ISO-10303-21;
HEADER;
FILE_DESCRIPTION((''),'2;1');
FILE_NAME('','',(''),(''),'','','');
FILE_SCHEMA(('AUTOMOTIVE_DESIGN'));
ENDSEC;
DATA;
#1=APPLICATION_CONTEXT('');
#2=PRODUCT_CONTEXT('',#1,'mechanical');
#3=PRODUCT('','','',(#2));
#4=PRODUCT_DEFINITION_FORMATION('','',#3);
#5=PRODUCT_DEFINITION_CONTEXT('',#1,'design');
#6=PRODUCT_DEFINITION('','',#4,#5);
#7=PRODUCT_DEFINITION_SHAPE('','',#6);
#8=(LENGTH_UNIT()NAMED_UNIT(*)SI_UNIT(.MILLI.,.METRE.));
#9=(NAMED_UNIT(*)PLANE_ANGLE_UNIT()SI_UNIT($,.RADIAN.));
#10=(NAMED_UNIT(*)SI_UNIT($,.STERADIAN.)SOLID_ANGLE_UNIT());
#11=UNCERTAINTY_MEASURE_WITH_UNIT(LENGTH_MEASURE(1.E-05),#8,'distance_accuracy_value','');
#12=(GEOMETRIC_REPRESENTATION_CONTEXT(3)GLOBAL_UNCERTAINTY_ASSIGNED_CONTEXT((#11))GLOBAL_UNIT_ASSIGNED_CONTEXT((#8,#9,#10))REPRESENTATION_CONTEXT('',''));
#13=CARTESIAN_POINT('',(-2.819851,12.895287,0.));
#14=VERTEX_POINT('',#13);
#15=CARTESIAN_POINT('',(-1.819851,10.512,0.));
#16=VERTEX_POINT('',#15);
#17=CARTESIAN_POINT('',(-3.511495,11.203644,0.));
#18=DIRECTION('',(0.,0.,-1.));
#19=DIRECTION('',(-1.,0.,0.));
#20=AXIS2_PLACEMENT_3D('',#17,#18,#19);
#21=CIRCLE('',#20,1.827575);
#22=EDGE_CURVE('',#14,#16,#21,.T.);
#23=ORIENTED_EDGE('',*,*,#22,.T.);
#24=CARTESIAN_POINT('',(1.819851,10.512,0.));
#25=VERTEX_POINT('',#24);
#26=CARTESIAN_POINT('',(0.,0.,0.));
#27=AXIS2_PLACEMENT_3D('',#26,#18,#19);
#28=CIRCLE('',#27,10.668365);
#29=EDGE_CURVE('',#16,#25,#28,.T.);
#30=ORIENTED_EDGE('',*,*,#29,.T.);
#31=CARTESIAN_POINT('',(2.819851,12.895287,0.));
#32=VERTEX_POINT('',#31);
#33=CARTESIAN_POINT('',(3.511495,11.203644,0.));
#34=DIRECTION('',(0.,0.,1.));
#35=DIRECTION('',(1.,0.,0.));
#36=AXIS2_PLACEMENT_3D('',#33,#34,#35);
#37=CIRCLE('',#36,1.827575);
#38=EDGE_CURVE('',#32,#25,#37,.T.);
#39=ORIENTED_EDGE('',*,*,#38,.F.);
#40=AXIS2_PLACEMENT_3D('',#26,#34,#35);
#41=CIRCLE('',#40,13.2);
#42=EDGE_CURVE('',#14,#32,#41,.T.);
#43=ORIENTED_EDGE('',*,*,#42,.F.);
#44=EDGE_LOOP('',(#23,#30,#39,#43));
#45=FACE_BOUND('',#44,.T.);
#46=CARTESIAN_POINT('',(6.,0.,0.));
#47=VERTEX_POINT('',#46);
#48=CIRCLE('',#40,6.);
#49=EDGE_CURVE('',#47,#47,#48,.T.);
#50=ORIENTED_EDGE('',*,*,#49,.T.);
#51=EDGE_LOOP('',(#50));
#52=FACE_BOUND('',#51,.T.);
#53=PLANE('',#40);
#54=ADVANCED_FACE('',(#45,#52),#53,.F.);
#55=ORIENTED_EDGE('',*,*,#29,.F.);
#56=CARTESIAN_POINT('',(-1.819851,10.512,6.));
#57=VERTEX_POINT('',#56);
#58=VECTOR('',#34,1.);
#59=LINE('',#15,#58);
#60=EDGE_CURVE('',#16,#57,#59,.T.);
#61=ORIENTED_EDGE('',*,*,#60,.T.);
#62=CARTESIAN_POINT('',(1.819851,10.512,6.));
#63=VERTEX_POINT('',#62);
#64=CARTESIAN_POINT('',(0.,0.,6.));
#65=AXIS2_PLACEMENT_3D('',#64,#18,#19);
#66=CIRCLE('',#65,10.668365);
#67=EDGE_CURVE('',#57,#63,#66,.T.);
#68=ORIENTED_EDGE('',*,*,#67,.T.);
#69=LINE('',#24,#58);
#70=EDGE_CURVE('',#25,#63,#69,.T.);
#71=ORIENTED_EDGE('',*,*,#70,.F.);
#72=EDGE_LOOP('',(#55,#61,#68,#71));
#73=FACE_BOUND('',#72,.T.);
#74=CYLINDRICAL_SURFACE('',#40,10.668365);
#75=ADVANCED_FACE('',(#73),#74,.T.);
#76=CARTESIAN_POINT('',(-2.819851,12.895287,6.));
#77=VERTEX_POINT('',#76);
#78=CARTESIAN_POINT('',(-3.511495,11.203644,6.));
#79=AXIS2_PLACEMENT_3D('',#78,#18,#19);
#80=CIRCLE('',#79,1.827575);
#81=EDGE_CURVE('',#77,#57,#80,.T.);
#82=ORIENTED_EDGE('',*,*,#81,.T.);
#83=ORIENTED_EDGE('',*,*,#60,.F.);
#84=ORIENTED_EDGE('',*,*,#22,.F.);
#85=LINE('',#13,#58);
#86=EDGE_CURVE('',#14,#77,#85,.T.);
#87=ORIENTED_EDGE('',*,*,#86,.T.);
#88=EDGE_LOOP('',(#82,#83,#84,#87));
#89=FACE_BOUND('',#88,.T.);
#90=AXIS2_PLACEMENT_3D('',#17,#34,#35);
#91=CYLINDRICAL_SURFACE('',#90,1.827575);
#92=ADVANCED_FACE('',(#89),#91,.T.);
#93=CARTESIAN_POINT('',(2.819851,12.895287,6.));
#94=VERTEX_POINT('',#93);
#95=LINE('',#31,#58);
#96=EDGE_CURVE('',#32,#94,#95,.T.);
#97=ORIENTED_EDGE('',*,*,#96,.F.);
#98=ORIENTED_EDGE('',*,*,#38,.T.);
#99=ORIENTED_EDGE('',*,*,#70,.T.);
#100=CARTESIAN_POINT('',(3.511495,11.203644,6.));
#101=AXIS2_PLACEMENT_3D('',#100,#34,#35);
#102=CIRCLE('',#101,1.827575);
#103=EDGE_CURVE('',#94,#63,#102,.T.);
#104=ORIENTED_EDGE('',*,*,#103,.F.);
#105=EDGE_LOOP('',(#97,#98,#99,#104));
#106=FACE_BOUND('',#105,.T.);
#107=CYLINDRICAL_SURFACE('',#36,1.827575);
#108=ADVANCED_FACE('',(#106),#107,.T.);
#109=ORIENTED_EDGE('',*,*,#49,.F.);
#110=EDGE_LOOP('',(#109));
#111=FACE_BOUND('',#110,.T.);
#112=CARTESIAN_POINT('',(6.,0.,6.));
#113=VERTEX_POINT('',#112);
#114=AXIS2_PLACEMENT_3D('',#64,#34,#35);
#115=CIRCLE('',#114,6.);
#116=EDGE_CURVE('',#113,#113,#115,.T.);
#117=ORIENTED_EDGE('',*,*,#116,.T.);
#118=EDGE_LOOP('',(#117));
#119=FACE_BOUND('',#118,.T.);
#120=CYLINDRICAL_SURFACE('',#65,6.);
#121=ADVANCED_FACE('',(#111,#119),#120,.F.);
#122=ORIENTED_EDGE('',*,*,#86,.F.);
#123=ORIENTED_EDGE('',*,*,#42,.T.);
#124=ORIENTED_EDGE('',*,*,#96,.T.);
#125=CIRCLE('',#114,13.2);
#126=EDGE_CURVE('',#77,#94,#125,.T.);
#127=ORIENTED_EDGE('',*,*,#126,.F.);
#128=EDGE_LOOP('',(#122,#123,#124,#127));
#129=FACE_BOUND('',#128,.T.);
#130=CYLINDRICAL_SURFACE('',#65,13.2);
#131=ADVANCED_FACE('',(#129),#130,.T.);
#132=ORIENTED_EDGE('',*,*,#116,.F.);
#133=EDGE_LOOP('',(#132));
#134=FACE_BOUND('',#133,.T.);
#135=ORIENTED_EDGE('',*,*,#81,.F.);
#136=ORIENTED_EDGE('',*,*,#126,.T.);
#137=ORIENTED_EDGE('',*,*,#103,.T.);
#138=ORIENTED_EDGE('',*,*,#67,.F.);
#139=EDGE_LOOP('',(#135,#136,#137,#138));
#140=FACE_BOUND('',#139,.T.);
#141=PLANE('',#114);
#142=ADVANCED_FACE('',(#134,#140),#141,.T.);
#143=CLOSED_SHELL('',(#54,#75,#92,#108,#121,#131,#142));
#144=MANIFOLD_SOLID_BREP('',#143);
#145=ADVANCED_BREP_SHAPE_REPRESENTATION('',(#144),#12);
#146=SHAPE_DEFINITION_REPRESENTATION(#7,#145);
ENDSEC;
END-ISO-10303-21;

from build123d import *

# Parameters (mm, degrees)
SKETCH1_R           = 13.2
SKETCH1_R_2         = 6
BOSS_EXTRUDE1_DEPTH = 6
CUT_EXTRUDE1_DEPTH  = 7


with BuildPart() as part:
    # Sketch1 → Boss-Extrude1 (new body)
    with BuildSketch(Plane.XY):
        Circle(SKETCH1_R)
        Circle(SKETCH1_R_2, mode=Mode.SUBTRACT)
    extrude(amount=BOSS_EXTRUDE1_DEPTH)

    # Sketch2 → Cut-Extrude1 (cut, through all)
    with BuildSketch(Plane.XY.offset(6)):
        with BuildLine():
            ThreePointArc((-2.819851171, 12.895287487), (0, 13.2), (2.819851171, 12.895287487))
            ThreePointArc((2.819851171, 12.895287487), (1.826256171, 11.910750525), (1.819851171, 10.512))
            ThreePointArc((1.819851171, 10.512), (0, 10.668364555), (-1.819851171, 10.512))
            ThreePointArc((-1.819851171, 10.512), (-1.826256171, 11.910750525), (-2.819851171, 12.895287487))
        make_face()
    extrude(amount=-CUT_EXTRUDE1_DEPTH, mode=Mode.SUBTRACT)


solid = part.part
